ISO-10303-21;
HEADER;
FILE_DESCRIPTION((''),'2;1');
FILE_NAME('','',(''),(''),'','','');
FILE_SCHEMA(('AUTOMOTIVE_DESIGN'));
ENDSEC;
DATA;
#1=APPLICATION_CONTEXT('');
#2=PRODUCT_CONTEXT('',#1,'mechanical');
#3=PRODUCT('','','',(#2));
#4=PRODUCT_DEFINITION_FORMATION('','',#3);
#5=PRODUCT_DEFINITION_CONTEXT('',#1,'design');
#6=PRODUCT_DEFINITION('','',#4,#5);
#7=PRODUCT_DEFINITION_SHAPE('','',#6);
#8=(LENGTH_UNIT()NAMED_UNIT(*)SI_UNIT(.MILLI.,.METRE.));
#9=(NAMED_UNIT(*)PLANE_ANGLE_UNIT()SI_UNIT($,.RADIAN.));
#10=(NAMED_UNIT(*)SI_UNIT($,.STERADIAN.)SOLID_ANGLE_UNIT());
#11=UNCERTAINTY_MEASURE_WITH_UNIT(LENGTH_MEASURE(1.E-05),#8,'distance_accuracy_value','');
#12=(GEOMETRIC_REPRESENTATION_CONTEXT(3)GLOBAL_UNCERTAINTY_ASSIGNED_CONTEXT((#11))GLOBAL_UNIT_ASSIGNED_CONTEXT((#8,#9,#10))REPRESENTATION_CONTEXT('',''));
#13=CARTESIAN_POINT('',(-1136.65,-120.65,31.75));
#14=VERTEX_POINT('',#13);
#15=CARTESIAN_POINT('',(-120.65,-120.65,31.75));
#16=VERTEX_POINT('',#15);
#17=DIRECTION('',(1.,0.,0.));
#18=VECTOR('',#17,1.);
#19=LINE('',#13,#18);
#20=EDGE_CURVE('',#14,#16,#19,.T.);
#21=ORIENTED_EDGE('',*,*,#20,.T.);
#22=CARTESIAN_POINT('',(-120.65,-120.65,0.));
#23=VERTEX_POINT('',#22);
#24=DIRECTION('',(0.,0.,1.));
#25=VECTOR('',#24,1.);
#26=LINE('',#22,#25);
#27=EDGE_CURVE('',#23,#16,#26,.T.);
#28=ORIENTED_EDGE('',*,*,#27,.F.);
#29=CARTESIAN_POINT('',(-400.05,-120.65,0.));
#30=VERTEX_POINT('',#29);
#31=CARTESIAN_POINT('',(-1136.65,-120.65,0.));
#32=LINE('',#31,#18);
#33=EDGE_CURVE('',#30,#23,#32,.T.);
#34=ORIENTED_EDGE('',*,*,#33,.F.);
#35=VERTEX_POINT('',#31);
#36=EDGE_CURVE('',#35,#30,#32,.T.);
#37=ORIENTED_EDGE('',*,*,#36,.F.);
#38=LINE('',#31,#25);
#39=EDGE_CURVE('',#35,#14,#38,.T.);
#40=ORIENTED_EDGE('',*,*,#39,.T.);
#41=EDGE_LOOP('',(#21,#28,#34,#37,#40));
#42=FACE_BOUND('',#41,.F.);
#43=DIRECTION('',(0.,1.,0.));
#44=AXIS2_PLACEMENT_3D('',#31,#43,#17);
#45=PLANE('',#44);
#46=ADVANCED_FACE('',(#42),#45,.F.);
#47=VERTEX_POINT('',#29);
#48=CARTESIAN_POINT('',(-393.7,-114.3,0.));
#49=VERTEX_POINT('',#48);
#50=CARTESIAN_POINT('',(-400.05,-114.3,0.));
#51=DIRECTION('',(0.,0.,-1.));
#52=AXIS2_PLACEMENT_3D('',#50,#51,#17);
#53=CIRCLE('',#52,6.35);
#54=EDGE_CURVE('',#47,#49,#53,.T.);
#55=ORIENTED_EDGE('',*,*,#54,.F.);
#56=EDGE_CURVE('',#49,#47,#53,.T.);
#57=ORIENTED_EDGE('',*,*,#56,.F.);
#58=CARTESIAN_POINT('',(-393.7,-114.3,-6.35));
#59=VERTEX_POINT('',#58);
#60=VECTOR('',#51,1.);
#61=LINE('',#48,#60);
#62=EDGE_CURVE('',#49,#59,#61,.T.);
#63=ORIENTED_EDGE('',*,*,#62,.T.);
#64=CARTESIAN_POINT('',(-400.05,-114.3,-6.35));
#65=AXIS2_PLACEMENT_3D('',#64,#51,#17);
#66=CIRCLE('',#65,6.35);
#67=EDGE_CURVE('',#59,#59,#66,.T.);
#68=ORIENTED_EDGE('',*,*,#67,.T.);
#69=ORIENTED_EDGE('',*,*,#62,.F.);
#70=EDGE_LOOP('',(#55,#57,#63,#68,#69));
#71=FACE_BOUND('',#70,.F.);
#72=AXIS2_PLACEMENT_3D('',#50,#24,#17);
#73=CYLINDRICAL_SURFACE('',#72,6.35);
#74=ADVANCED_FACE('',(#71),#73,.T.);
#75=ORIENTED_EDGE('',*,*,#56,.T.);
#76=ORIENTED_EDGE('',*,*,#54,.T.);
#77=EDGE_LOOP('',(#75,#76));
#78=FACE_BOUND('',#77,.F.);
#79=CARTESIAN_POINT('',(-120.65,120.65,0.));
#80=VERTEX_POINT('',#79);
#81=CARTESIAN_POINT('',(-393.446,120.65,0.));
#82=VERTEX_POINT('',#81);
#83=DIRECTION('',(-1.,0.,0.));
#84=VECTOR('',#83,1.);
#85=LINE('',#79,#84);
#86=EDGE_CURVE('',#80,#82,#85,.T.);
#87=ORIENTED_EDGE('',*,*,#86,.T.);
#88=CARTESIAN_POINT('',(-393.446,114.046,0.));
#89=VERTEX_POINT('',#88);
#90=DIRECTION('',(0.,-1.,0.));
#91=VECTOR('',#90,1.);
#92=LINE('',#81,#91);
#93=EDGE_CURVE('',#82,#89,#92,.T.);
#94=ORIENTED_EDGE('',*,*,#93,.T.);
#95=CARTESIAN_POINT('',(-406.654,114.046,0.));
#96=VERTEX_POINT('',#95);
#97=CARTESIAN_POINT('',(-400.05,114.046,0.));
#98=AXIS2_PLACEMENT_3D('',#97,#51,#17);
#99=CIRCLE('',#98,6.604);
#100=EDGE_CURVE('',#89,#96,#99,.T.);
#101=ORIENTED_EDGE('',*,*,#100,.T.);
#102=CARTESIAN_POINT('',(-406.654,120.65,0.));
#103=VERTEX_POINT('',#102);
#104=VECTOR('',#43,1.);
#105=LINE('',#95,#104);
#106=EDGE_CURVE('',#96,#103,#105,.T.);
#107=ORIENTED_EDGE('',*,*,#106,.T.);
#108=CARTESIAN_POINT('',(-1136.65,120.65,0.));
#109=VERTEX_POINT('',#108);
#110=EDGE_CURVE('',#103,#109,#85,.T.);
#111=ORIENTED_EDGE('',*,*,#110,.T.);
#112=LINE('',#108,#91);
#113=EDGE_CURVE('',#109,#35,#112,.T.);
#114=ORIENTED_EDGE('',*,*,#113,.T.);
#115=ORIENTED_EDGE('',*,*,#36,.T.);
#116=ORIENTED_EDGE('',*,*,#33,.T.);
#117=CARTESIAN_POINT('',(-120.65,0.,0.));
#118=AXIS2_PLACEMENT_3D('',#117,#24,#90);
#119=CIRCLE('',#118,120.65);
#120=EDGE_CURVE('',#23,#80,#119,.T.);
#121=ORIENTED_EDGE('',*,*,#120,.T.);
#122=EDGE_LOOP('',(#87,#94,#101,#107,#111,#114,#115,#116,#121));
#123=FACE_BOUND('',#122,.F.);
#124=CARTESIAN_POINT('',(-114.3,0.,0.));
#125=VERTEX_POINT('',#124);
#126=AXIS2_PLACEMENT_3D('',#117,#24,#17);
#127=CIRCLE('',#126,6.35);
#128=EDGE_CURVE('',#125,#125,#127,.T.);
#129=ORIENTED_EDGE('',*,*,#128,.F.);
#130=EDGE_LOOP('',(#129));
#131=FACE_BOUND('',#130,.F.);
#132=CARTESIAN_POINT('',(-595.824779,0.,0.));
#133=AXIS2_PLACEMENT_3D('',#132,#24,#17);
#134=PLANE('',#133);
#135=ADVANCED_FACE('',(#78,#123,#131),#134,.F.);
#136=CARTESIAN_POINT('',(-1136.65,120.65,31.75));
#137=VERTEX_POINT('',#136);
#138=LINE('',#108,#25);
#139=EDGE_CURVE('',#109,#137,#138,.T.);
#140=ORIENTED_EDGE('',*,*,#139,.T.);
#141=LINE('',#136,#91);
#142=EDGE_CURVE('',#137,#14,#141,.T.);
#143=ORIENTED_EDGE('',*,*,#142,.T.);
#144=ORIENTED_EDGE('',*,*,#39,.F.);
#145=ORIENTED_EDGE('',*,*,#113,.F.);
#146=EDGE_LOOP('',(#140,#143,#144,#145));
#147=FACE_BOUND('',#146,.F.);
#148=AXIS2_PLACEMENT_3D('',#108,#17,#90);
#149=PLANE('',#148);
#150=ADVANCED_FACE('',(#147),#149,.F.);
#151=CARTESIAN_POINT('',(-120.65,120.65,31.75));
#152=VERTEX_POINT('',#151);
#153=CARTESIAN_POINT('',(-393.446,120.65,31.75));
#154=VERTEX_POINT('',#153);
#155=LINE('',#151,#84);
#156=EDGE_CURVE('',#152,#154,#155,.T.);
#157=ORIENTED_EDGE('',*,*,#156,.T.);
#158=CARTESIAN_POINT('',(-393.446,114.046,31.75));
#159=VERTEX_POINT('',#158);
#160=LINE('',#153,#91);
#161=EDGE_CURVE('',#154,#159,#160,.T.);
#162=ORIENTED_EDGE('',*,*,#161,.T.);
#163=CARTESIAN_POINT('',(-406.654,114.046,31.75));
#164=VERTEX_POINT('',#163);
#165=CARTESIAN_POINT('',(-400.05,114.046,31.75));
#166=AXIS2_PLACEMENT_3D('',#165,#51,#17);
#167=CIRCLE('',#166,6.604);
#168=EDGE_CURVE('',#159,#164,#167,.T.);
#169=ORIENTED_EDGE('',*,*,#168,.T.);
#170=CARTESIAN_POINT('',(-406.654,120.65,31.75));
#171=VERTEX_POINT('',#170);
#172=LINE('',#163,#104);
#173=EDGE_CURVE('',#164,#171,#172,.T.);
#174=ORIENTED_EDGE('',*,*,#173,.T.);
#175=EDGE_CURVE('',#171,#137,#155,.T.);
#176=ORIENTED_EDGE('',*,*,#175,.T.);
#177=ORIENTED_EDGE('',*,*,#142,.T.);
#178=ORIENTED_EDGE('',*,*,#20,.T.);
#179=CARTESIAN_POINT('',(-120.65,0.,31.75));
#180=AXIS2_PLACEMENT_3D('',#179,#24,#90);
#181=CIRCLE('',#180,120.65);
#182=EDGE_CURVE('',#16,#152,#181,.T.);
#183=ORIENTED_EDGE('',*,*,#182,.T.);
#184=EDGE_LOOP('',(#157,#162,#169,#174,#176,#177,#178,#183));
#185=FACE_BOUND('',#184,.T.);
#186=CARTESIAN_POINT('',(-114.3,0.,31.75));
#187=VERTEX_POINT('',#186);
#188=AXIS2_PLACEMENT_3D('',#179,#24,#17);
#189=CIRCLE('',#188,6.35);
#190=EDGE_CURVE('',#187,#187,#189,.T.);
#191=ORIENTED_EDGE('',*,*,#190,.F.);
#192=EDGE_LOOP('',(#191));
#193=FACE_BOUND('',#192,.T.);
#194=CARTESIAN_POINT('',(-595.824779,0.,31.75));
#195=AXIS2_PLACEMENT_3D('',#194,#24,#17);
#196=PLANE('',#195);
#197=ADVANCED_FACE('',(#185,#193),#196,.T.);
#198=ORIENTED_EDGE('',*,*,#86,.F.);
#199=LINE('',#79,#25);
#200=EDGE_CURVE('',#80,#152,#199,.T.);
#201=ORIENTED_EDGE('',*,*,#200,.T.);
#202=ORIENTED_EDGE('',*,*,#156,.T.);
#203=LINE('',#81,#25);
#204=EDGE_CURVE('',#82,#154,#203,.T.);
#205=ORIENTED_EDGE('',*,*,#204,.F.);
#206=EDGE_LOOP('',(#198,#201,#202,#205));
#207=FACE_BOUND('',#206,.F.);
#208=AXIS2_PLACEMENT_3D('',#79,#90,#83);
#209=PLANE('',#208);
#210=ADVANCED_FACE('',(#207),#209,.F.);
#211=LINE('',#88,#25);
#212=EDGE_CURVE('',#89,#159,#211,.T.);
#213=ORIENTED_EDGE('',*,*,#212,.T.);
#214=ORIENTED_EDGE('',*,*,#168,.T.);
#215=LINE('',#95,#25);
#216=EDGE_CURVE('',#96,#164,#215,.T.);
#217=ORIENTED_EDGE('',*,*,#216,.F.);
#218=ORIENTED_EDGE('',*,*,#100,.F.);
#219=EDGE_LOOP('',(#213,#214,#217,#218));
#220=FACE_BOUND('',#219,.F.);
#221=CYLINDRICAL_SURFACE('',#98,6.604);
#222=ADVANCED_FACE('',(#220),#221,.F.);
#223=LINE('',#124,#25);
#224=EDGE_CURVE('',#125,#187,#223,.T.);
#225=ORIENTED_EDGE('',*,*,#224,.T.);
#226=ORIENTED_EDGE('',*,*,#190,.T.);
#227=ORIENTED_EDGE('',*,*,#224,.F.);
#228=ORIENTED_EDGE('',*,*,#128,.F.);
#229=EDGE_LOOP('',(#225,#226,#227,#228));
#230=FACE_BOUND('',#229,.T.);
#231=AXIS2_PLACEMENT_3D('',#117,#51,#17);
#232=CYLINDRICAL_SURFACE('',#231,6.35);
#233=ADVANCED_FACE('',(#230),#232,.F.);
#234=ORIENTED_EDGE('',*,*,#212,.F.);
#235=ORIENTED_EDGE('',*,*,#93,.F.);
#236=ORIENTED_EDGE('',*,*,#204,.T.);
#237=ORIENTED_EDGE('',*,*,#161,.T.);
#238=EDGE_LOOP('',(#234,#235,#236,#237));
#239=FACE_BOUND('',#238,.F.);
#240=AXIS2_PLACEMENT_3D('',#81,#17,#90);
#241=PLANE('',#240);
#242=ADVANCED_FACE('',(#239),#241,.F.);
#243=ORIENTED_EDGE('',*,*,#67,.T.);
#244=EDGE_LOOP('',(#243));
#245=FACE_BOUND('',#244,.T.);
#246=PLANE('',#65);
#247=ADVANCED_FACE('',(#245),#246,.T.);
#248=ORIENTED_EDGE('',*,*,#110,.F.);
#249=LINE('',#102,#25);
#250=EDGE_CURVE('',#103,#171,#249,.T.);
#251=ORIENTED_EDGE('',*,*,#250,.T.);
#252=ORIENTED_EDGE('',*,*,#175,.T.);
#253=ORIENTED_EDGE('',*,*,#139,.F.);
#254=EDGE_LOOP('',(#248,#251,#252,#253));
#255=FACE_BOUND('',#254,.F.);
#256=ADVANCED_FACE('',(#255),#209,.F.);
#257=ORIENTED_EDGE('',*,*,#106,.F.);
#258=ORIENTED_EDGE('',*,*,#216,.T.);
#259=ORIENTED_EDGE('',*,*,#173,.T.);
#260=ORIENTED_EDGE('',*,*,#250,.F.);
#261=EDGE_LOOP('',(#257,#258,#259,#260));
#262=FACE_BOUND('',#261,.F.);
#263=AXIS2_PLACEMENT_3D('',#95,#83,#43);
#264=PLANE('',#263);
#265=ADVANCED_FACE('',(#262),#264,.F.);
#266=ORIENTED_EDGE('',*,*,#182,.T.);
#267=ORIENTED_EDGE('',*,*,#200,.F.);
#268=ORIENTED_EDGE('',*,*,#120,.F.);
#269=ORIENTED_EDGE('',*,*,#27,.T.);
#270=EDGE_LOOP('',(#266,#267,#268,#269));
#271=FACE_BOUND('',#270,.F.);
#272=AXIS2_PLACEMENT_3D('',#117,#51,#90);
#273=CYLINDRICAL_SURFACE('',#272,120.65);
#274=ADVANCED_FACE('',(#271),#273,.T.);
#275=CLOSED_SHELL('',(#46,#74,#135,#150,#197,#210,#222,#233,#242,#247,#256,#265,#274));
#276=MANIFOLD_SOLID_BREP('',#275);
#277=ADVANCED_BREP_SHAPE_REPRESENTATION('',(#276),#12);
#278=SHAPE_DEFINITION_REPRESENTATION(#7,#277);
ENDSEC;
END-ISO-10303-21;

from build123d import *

# Parameters (mm, degrees)
F0_R     = 6.35
F1_DEPTH = 31.75
F2_R     = 6.35
F3_DEPTH = 6.35
F5_DEPTH = 31.75


with BuildPart() as f1:
    # F0 (on Top) → F1 (new body)
    with BuildSketch(Plane.XY):
        with BuildLine():
            Line((-1136.65, 120.65), (-1136.65, -120.65))
            Line((-1136.65, -120.65), (-120.65, -120.65))
            ThreePointArc((-120.65, -120.65), (0, 0), (-120.65, 120.65))
            Line((-120.65, 120.65), (-1136.65, 120.65))
        make_face()
        with Locations((-120.65, 0)):
            Circle(F0_R, mode=Mode.SUBTRACT)
    extrude(amount=F1_DEPTH)

    # F2 (on face) → F3 (join)
    with BuildSketch(Plane(origin=(0, 0, 0), x_dir=(1, 0, 0), z_dir=(0, 0, -1))):
        with Locations((-400.05, 114.3)):
            Circle(F2_R)
    extrude(amount=F3_DEPTH)

    # F4 (on face) → F5 (cut)
    with BuildSketch(Plane(origin=(0, 0, 0), x_dir=(1, 0, 0), z_dir=(0, 0, -1))):
        with BuildLine():
            Line((-393.446, -120.65), (-393.446, -114.046))
            ThreePointArc((-393.446, -114.046), (-400.05, -107.442), (-406.654, -114.046))
            Line((-406.654, -114.046), (-406.654, -120.65))
            Line((-406.654, -120.65), (-393.446, -120.65))
        make_face()
    extrude(amount=-F5_DEPTH, mode=Mode.SUBTRACT)


solid = f1.part
